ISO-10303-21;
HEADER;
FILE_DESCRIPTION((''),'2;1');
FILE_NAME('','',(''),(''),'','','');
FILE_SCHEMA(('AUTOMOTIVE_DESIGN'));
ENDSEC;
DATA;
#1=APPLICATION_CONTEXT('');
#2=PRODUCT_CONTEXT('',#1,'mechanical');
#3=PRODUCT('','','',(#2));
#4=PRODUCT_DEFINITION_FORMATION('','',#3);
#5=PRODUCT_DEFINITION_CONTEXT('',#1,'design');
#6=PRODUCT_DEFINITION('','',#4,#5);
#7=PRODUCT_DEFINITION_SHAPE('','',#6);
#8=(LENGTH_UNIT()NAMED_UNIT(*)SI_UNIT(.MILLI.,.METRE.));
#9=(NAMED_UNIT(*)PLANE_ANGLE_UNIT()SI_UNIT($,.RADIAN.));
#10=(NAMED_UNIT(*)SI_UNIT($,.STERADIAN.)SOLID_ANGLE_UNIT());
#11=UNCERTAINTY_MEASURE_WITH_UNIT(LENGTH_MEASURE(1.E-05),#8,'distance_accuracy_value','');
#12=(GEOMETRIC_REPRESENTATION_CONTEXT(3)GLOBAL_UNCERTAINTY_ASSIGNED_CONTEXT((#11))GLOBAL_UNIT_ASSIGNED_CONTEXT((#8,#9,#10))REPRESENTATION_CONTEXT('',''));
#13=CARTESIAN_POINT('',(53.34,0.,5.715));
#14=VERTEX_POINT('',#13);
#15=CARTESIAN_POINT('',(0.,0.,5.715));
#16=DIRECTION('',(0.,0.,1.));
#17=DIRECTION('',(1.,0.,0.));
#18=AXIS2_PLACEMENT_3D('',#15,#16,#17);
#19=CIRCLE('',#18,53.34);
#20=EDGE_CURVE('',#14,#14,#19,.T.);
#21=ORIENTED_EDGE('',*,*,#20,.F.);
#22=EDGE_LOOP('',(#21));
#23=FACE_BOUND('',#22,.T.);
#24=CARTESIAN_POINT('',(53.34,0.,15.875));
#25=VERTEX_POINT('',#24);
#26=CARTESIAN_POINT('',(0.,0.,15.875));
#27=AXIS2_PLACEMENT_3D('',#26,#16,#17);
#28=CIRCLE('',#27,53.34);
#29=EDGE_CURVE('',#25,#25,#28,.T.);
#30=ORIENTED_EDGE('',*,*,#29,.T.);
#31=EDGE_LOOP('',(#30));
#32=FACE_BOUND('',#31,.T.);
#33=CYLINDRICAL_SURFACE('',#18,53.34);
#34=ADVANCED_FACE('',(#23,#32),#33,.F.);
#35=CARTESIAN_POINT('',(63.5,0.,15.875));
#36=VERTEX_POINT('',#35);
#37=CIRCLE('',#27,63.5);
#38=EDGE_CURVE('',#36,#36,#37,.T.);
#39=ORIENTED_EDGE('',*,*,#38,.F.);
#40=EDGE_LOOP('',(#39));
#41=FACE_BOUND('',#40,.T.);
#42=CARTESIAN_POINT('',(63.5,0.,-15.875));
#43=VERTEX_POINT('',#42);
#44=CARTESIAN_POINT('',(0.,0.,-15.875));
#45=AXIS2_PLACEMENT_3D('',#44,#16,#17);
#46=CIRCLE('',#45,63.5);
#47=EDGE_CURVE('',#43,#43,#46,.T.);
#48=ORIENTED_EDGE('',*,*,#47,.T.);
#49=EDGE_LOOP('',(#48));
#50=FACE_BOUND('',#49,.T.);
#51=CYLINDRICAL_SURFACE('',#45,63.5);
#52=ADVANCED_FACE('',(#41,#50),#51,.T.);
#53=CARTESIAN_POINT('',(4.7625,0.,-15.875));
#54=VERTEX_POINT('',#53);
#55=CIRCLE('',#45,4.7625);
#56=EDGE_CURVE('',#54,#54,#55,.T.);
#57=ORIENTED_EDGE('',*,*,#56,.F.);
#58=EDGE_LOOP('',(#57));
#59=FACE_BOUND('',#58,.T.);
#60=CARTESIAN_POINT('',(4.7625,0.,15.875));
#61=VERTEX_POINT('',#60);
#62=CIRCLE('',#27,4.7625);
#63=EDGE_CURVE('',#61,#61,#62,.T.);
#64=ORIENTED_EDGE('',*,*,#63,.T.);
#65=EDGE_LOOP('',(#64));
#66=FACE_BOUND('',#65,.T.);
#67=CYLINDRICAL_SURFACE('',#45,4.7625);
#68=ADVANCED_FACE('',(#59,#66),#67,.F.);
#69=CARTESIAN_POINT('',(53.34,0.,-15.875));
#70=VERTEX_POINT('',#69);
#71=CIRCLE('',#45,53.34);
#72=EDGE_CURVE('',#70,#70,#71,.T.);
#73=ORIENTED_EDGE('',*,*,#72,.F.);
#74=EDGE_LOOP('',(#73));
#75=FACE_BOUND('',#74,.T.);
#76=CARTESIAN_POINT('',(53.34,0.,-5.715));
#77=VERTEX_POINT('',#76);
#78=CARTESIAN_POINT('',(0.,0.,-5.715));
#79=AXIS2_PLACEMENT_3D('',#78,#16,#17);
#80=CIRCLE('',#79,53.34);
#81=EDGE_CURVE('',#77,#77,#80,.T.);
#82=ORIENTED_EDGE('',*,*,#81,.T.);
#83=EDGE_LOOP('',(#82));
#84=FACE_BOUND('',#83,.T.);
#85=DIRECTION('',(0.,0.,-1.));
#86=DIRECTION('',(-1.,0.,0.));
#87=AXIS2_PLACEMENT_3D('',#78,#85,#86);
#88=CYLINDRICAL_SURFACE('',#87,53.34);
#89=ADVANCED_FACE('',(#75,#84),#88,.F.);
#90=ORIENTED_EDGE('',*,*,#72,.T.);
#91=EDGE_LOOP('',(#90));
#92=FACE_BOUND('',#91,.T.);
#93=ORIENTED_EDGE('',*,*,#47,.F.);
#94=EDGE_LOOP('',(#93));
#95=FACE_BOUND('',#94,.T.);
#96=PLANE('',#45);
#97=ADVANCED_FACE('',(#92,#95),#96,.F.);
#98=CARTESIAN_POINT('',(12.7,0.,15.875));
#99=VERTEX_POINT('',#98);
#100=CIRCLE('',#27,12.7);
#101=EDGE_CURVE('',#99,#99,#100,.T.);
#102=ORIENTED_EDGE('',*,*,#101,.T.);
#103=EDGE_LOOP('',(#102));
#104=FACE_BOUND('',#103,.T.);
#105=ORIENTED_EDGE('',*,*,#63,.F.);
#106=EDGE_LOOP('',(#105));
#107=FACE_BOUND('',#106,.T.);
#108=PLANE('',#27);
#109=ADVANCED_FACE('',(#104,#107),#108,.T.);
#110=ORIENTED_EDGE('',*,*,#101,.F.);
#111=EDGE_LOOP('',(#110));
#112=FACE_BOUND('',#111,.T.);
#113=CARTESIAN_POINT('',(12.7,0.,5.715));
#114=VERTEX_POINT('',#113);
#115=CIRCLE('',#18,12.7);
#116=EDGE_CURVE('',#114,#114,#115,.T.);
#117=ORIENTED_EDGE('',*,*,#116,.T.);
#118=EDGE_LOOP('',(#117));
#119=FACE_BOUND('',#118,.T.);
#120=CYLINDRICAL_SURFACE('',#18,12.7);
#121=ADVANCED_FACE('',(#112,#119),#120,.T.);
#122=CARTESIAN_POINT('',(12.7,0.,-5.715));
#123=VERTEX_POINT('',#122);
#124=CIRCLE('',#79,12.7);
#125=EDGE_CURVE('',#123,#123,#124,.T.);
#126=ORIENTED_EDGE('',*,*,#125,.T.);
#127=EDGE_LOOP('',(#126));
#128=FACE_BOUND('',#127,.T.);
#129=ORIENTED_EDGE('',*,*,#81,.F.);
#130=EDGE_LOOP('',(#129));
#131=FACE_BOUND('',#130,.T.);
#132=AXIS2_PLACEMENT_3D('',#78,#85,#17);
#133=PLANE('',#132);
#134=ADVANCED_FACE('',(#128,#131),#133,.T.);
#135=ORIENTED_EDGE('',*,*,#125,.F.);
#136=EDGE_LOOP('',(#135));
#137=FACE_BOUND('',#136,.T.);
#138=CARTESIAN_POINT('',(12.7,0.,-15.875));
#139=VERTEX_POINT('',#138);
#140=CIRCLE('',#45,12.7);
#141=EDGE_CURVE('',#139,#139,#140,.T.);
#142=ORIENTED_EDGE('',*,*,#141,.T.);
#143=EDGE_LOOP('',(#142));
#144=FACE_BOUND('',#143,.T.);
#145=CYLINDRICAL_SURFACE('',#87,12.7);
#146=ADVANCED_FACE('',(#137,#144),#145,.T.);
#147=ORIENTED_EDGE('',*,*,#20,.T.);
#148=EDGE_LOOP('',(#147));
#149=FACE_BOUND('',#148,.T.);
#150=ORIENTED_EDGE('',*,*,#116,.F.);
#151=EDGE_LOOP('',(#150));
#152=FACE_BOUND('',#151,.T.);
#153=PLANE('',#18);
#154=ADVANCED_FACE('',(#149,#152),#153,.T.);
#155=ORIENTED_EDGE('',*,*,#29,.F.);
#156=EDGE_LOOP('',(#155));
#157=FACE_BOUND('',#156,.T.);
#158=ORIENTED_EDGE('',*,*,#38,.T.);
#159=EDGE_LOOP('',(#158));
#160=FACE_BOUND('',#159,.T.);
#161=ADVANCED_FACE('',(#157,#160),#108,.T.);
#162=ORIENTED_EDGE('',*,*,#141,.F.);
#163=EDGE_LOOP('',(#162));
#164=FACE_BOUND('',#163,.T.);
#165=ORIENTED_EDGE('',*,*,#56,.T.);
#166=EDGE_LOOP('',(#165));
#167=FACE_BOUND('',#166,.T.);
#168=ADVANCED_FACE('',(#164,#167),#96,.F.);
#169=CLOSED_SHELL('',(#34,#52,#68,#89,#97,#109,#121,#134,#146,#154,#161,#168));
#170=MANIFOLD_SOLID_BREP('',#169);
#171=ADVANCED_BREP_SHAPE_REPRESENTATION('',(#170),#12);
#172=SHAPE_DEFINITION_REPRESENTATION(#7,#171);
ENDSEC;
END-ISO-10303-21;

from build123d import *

# Parameters (mm, degrees)
SKETCH1_R           = 63.5
SKETCH1_R_2         = 4.7625
BOSS_EXTRUDE1_DEPTH = 15.875
SKETCH2_R           = 53.34
SKETCH2_R_2         = 12.7
CUT_EXTRUDE1_DEPTH  = 10.16


with BuildPart() as part:
    # Sketch1 → Boss-Extrude1 (new, symmetric)
    with BuildSketch(Plane.XY):
        Circle(SKETCH1_R)
        Circle(SKETCH1_R_2, mode=Mode.SUBTRACT)
    extrude(amount=BOSS_EXTRUDE1_DEPTH, both=True)

    # Sketch2 → Cut-Extrude1 (cut)
    with BuildSketch(Plane.XY.offset(15.875)):
        Circle(SKETCH2_R)
        Circle(SKETCH2_R_2, mode=Mode.SUBTRACT)
    cut_extrude1 = extrude(amount=-CUT_EXTRUDE1_DEPTH, mode=Mode.SUBTRACT)

    # Mirror1: Cut-Extrude1 across plane
    add(cut_extrude1.mirror(Plane.XY), mode=Mode.SUBTRACT)


solid = part.part
